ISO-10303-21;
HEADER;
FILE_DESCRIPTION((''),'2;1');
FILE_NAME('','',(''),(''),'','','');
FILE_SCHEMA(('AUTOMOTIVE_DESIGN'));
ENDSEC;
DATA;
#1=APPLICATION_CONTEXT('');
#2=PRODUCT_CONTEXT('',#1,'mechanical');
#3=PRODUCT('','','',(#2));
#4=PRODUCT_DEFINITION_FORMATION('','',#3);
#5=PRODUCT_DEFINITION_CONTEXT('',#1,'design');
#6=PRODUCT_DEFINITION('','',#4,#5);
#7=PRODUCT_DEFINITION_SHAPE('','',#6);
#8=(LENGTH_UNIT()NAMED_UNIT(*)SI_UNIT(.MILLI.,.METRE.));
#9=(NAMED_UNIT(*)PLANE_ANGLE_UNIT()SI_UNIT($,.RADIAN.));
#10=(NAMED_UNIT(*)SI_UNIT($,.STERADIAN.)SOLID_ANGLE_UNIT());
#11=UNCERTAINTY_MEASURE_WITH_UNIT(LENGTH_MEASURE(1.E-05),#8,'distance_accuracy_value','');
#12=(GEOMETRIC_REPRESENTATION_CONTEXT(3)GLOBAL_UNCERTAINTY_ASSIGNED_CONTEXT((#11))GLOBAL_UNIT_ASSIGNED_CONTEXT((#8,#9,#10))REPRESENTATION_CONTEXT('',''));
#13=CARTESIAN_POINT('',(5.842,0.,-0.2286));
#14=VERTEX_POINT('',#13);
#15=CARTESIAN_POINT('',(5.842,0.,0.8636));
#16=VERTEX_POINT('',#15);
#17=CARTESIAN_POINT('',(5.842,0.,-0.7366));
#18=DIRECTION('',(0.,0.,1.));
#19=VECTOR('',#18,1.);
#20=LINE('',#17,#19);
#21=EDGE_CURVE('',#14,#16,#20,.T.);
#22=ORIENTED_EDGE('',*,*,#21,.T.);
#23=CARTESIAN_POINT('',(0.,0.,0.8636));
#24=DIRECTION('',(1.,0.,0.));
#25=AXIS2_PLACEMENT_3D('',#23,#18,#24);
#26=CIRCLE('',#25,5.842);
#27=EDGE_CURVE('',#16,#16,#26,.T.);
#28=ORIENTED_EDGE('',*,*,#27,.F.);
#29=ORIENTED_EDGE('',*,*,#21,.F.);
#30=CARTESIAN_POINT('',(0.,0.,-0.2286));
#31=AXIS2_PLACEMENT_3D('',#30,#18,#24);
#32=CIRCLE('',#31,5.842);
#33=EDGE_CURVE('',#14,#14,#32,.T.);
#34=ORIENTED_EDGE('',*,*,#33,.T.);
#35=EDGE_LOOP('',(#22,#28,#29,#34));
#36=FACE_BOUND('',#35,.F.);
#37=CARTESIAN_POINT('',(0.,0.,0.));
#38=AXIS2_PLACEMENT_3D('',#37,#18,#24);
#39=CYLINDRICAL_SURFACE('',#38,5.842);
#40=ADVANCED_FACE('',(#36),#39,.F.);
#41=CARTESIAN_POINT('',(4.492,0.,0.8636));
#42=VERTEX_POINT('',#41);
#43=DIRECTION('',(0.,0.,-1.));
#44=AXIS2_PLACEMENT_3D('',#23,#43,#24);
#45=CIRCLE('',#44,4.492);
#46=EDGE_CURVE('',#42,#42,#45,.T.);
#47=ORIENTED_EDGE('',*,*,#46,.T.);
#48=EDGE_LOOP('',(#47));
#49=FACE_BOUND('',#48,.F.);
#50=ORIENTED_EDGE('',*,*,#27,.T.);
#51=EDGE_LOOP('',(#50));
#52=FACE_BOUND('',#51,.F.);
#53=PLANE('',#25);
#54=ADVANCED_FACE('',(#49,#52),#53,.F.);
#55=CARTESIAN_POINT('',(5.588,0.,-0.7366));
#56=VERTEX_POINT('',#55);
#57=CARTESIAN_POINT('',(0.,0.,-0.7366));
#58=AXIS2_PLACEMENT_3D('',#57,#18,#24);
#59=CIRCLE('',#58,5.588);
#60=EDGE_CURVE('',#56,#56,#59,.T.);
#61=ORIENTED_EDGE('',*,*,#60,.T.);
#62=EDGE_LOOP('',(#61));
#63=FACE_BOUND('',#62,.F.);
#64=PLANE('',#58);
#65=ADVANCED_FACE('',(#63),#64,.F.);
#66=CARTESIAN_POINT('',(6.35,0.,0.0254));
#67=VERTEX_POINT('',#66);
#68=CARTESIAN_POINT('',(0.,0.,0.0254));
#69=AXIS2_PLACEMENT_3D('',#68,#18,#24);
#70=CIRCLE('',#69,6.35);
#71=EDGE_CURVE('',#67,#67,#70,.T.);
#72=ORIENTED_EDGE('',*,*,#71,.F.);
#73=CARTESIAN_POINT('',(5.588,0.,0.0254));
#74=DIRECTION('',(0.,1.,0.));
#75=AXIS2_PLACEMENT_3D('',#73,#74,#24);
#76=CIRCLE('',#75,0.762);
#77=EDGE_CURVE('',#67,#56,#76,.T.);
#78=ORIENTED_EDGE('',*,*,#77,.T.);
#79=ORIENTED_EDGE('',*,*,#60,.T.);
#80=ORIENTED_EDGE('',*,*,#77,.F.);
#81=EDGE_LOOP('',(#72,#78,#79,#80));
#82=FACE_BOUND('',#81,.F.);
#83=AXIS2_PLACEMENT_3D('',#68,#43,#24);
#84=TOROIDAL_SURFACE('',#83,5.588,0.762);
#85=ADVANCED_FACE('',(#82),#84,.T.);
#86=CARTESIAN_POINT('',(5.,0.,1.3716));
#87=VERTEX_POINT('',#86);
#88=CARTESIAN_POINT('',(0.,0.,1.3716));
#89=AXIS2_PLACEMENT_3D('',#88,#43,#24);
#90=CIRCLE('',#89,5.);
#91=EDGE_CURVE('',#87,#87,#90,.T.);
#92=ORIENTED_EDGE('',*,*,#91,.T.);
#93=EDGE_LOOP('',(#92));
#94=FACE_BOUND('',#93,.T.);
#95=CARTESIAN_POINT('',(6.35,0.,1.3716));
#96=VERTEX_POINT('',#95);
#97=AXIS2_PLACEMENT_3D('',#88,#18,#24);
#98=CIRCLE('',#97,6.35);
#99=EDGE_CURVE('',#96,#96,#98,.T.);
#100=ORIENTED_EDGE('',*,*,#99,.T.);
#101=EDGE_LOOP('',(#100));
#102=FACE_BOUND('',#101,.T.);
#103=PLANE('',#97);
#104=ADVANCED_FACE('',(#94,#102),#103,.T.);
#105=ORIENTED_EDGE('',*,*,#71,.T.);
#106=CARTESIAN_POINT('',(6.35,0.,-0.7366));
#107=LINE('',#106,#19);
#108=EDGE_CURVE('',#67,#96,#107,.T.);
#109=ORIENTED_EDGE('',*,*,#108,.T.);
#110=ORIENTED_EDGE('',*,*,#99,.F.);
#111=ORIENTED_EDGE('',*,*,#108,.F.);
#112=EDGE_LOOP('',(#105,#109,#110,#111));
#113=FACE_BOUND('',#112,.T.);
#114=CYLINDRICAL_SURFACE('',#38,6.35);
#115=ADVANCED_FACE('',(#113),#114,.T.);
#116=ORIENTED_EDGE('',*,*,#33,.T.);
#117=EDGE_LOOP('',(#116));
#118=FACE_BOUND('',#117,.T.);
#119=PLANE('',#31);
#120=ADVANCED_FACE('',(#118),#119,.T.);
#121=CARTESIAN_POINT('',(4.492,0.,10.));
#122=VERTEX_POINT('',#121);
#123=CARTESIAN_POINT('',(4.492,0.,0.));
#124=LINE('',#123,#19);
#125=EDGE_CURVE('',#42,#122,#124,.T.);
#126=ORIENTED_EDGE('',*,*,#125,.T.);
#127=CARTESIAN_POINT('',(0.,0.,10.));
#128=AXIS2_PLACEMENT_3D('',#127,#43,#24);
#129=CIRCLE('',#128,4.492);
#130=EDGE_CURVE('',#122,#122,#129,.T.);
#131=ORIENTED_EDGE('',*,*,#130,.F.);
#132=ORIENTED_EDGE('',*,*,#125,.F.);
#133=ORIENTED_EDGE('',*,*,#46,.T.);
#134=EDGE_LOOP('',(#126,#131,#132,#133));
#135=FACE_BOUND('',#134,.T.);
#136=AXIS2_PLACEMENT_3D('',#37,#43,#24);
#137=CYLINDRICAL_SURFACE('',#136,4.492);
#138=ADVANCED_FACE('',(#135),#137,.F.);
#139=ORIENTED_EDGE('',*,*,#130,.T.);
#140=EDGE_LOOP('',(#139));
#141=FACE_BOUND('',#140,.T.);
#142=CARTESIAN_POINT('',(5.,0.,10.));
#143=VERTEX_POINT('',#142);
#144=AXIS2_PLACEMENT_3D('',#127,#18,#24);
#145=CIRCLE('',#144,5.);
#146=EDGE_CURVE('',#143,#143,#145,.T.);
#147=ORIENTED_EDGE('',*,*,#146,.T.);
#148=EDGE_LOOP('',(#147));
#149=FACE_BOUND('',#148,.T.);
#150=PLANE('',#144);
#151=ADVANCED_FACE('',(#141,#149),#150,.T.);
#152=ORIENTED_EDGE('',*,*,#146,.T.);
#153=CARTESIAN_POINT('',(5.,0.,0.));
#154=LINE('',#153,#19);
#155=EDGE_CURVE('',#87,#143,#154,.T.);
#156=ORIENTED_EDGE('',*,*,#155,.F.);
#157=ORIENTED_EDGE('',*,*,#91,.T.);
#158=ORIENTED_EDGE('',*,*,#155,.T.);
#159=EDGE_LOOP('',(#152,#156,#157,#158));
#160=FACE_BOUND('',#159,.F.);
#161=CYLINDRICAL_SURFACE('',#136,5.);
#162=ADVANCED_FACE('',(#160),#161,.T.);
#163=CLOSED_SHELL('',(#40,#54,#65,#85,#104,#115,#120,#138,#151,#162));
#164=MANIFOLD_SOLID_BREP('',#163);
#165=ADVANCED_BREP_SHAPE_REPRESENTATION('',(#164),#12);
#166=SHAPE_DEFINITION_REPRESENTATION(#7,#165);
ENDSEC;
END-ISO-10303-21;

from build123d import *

# Parameters (mm, degrees)
F0_R          = 5
F1_DEPTH      = 10
F0_R_2        = 6.35
F2_DEPTH      = 1.3716
F2_DEPTH_BACK = 0.7366
F3_T          = -0.508
F4_R          = 0.762


with BuildPart() as f1:
    # F0 (on Top) → F1 (new body)
    with BuildSketch(Plane.XY):
        Circle(F0_R)
    extrude(amount=F1_DEPTH)

    # F0 (on Top) → F2 (join, two sides)
    with BuildSketch(Plane.XY) as f2_sk:
        Circle(F0_R_2)
        Circle(F0_R, mode=Mode.SUBTRACT)
        Circle(F0_R)
    extrude(amount=F2_DEPTH)
    extrude(f2_sk.sketch, amount=-F2_DEPTH_BACK)

    # F3
    f3_openings = [f1.faces().sort_by_distance(p)[0] for p in [
        (0, 0, 10),
    ]]
    offset(amount=F3_T, openings=f3_openings, kind=Kind.INTERSECTION)

    # F4
    f4_edges = [f1.edges().sort_by_distance(p)[0] for p in [
        (-6.35, 0, -0.7366),
    ]]
    fillet(f4_edges, radius=F4_R)


solid = f1.part
